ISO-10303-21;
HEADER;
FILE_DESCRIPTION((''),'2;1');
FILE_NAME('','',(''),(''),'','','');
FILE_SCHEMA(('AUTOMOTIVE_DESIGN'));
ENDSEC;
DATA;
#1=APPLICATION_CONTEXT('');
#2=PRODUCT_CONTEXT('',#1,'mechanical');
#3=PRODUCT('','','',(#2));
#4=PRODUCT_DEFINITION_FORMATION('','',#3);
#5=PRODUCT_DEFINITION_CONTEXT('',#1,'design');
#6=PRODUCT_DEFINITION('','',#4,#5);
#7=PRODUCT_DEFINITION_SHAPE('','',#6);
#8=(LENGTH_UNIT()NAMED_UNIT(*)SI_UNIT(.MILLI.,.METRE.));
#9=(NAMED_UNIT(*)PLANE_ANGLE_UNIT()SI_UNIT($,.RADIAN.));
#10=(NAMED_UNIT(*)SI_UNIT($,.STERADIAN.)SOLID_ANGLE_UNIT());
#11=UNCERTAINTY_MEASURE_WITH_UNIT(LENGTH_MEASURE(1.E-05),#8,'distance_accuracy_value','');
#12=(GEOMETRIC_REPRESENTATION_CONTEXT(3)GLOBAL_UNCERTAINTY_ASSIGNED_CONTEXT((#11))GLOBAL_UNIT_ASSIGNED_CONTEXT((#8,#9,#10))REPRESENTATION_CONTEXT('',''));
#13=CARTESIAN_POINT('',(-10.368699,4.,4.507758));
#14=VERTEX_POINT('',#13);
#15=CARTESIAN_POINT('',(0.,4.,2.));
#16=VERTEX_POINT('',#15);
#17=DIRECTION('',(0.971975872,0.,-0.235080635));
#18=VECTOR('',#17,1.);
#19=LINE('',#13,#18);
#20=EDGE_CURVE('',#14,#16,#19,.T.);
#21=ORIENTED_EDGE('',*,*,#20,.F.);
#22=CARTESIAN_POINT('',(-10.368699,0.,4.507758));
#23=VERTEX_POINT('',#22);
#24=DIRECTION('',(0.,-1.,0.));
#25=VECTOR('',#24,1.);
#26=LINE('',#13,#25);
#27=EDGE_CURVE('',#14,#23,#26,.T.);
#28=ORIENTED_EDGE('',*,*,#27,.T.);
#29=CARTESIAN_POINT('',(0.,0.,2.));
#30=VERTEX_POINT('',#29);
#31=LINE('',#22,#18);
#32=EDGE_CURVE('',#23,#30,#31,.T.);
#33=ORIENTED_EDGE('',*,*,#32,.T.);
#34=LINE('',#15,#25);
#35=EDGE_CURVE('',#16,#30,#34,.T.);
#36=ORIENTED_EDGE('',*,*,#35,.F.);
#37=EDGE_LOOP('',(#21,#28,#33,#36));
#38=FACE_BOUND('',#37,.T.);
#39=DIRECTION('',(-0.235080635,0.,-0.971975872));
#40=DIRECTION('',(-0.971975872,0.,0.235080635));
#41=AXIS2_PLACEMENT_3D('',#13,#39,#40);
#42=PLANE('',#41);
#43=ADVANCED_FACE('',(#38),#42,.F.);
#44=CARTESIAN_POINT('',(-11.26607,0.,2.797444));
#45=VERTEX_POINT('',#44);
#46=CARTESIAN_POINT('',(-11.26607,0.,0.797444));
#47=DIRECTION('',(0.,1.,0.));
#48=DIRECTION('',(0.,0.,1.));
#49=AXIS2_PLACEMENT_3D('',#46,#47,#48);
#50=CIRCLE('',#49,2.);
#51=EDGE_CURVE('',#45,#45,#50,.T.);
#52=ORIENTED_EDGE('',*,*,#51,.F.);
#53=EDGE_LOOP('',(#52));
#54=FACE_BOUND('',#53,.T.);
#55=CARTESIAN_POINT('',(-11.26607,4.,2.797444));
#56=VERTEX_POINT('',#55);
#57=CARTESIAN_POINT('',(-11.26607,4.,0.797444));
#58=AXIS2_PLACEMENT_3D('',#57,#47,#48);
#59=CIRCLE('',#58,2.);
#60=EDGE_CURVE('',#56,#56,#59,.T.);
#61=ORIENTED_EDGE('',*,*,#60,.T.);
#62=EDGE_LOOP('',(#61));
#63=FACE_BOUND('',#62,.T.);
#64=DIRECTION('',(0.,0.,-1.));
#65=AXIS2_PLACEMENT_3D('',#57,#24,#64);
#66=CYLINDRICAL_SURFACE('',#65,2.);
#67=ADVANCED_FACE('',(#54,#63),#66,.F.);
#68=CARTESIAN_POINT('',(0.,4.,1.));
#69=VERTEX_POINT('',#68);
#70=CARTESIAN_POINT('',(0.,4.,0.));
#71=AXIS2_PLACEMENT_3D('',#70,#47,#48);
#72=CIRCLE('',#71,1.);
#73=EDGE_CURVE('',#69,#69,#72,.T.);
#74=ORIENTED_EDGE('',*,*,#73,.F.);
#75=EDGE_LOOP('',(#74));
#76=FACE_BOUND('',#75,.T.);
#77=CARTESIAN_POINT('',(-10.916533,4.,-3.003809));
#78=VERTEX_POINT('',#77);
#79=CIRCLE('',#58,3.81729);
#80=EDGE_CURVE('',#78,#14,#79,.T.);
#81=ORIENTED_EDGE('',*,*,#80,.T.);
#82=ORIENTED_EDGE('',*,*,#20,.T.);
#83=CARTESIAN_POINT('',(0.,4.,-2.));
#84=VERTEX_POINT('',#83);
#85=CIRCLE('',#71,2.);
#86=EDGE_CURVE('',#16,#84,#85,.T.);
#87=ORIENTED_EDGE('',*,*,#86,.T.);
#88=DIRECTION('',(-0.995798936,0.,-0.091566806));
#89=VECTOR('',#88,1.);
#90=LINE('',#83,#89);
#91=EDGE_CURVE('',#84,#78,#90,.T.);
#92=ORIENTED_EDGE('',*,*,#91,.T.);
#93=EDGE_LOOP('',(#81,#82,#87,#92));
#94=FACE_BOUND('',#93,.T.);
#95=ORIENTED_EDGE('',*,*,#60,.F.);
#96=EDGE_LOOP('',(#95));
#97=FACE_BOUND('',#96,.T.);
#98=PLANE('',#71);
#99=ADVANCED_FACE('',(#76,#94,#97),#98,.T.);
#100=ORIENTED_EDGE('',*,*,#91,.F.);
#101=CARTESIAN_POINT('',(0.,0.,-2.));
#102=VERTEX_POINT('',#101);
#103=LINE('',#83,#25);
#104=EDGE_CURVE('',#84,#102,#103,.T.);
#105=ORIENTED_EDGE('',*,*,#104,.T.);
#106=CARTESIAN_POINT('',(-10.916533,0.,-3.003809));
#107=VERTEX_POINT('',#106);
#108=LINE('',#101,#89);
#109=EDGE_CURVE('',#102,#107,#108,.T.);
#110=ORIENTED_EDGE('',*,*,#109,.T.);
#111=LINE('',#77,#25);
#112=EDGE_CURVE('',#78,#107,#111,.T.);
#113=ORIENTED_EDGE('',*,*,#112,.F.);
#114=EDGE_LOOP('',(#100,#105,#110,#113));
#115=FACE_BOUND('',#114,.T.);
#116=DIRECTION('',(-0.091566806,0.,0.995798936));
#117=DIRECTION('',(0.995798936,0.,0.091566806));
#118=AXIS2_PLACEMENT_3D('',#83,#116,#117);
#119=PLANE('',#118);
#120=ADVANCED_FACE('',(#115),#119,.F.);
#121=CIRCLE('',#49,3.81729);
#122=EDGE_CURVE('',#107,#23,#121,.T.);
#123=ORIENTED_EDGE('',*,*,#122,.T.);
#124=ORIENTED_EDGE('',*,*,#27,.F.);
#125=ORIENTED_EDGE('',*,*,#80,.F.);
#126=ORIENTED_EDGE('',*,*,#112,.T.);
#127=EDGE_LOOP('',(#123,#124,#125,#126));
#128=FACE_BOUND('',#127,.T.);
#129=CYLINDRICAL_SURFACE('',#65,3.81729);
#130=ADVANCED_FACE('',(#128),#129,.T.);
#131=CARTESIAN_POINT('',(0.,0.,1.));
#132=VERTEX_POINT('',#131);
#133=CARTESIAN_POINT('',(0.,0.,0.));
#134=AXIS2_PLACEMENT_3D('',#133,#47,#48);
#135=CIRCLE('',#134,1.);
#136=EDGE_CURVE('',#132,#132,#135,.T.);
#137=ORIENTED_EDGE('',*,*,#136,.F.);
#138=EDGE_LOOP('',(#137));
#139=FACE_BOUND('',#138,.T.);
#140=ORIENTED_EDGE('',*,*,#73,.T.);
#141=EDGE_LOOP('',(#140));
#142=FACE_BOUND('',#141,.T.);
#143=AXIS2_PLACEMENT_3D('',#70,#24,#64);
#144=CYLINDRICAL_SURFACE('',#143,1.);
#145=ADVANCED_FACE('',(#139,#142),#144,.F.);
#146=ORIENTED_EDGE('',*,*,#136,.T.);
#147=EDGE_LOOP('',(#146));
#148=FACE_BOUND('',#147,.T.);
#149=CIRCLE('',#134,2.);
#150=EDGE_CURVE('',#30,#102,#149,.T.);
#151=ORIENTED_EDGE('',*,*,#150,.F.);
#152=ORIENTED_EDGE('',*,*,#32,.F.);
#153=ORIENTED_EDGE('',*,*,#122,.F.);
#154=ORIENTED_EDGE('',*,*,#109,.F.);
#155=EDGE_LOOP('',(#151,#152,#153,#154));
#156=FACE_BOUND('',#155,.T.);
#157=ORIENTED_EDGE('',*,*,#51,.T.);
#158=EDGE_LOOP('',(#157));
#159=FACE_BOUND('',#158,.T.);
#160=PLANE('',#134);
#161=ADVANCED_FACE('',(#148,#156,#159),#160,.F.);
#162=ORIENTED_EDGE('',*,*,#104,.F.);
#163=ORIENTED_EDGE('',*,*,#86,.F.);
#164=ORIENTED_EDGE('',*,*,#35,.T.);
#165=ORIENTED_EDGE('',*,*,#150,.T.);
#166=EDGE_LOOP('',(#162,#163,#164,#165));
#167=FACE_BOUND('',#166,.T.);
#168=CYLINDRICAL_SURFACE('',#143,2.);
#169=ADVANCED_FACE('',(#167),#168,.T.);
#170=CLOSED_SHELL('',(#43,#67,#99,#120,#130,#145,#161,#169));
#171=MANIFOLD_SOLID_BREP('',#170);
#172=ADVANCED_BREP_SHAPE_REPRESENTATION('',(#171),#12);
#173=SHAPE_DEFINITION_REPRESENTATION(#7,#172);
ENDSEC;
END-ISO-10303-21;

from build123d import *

# Parameters (mm, degrees)
SKETCH1_R           = 1
SKETCH1_R_2         = 2
BOSS_EXTRUDE1_DEPTH = 4


with BuildPart() as part:
    # Sketch1 → Boss-Extrude1 (new body)
    with BuildSketch(Plane(origin=(0, 0, 0), x_dir=(1, 0, 0), z_dir=(0, 1, 0))):
        with BuildLine():
            Line((0, 2), (-10.916533022, 3.003809133))
            ThreePointArc((-10.916533022, 3.003809133), (-15.073248239, -1.075109525), (-10.368699108, -4.507758107))
            Line((-10.368699108, -4.507758107), (0, -2))
            ThreePointArc((0, -2), (2, 0), (0, 2))
        make_face()
        with Locations(Location((0, 0, 0), (0, 0, 270))):
            Circle(SKETCH1_R, mode=Mode.SUBTRACT)
        with Locations(Location((-11.266070083, -0.79744426, 0), (0, 0, 270))):
            Circle(SKETCH1_R_2, mode=Mode.SUBTRACT)
    extrude(amount=BOSS_EXTRUDE1_DEPTH)


solid = part.part
